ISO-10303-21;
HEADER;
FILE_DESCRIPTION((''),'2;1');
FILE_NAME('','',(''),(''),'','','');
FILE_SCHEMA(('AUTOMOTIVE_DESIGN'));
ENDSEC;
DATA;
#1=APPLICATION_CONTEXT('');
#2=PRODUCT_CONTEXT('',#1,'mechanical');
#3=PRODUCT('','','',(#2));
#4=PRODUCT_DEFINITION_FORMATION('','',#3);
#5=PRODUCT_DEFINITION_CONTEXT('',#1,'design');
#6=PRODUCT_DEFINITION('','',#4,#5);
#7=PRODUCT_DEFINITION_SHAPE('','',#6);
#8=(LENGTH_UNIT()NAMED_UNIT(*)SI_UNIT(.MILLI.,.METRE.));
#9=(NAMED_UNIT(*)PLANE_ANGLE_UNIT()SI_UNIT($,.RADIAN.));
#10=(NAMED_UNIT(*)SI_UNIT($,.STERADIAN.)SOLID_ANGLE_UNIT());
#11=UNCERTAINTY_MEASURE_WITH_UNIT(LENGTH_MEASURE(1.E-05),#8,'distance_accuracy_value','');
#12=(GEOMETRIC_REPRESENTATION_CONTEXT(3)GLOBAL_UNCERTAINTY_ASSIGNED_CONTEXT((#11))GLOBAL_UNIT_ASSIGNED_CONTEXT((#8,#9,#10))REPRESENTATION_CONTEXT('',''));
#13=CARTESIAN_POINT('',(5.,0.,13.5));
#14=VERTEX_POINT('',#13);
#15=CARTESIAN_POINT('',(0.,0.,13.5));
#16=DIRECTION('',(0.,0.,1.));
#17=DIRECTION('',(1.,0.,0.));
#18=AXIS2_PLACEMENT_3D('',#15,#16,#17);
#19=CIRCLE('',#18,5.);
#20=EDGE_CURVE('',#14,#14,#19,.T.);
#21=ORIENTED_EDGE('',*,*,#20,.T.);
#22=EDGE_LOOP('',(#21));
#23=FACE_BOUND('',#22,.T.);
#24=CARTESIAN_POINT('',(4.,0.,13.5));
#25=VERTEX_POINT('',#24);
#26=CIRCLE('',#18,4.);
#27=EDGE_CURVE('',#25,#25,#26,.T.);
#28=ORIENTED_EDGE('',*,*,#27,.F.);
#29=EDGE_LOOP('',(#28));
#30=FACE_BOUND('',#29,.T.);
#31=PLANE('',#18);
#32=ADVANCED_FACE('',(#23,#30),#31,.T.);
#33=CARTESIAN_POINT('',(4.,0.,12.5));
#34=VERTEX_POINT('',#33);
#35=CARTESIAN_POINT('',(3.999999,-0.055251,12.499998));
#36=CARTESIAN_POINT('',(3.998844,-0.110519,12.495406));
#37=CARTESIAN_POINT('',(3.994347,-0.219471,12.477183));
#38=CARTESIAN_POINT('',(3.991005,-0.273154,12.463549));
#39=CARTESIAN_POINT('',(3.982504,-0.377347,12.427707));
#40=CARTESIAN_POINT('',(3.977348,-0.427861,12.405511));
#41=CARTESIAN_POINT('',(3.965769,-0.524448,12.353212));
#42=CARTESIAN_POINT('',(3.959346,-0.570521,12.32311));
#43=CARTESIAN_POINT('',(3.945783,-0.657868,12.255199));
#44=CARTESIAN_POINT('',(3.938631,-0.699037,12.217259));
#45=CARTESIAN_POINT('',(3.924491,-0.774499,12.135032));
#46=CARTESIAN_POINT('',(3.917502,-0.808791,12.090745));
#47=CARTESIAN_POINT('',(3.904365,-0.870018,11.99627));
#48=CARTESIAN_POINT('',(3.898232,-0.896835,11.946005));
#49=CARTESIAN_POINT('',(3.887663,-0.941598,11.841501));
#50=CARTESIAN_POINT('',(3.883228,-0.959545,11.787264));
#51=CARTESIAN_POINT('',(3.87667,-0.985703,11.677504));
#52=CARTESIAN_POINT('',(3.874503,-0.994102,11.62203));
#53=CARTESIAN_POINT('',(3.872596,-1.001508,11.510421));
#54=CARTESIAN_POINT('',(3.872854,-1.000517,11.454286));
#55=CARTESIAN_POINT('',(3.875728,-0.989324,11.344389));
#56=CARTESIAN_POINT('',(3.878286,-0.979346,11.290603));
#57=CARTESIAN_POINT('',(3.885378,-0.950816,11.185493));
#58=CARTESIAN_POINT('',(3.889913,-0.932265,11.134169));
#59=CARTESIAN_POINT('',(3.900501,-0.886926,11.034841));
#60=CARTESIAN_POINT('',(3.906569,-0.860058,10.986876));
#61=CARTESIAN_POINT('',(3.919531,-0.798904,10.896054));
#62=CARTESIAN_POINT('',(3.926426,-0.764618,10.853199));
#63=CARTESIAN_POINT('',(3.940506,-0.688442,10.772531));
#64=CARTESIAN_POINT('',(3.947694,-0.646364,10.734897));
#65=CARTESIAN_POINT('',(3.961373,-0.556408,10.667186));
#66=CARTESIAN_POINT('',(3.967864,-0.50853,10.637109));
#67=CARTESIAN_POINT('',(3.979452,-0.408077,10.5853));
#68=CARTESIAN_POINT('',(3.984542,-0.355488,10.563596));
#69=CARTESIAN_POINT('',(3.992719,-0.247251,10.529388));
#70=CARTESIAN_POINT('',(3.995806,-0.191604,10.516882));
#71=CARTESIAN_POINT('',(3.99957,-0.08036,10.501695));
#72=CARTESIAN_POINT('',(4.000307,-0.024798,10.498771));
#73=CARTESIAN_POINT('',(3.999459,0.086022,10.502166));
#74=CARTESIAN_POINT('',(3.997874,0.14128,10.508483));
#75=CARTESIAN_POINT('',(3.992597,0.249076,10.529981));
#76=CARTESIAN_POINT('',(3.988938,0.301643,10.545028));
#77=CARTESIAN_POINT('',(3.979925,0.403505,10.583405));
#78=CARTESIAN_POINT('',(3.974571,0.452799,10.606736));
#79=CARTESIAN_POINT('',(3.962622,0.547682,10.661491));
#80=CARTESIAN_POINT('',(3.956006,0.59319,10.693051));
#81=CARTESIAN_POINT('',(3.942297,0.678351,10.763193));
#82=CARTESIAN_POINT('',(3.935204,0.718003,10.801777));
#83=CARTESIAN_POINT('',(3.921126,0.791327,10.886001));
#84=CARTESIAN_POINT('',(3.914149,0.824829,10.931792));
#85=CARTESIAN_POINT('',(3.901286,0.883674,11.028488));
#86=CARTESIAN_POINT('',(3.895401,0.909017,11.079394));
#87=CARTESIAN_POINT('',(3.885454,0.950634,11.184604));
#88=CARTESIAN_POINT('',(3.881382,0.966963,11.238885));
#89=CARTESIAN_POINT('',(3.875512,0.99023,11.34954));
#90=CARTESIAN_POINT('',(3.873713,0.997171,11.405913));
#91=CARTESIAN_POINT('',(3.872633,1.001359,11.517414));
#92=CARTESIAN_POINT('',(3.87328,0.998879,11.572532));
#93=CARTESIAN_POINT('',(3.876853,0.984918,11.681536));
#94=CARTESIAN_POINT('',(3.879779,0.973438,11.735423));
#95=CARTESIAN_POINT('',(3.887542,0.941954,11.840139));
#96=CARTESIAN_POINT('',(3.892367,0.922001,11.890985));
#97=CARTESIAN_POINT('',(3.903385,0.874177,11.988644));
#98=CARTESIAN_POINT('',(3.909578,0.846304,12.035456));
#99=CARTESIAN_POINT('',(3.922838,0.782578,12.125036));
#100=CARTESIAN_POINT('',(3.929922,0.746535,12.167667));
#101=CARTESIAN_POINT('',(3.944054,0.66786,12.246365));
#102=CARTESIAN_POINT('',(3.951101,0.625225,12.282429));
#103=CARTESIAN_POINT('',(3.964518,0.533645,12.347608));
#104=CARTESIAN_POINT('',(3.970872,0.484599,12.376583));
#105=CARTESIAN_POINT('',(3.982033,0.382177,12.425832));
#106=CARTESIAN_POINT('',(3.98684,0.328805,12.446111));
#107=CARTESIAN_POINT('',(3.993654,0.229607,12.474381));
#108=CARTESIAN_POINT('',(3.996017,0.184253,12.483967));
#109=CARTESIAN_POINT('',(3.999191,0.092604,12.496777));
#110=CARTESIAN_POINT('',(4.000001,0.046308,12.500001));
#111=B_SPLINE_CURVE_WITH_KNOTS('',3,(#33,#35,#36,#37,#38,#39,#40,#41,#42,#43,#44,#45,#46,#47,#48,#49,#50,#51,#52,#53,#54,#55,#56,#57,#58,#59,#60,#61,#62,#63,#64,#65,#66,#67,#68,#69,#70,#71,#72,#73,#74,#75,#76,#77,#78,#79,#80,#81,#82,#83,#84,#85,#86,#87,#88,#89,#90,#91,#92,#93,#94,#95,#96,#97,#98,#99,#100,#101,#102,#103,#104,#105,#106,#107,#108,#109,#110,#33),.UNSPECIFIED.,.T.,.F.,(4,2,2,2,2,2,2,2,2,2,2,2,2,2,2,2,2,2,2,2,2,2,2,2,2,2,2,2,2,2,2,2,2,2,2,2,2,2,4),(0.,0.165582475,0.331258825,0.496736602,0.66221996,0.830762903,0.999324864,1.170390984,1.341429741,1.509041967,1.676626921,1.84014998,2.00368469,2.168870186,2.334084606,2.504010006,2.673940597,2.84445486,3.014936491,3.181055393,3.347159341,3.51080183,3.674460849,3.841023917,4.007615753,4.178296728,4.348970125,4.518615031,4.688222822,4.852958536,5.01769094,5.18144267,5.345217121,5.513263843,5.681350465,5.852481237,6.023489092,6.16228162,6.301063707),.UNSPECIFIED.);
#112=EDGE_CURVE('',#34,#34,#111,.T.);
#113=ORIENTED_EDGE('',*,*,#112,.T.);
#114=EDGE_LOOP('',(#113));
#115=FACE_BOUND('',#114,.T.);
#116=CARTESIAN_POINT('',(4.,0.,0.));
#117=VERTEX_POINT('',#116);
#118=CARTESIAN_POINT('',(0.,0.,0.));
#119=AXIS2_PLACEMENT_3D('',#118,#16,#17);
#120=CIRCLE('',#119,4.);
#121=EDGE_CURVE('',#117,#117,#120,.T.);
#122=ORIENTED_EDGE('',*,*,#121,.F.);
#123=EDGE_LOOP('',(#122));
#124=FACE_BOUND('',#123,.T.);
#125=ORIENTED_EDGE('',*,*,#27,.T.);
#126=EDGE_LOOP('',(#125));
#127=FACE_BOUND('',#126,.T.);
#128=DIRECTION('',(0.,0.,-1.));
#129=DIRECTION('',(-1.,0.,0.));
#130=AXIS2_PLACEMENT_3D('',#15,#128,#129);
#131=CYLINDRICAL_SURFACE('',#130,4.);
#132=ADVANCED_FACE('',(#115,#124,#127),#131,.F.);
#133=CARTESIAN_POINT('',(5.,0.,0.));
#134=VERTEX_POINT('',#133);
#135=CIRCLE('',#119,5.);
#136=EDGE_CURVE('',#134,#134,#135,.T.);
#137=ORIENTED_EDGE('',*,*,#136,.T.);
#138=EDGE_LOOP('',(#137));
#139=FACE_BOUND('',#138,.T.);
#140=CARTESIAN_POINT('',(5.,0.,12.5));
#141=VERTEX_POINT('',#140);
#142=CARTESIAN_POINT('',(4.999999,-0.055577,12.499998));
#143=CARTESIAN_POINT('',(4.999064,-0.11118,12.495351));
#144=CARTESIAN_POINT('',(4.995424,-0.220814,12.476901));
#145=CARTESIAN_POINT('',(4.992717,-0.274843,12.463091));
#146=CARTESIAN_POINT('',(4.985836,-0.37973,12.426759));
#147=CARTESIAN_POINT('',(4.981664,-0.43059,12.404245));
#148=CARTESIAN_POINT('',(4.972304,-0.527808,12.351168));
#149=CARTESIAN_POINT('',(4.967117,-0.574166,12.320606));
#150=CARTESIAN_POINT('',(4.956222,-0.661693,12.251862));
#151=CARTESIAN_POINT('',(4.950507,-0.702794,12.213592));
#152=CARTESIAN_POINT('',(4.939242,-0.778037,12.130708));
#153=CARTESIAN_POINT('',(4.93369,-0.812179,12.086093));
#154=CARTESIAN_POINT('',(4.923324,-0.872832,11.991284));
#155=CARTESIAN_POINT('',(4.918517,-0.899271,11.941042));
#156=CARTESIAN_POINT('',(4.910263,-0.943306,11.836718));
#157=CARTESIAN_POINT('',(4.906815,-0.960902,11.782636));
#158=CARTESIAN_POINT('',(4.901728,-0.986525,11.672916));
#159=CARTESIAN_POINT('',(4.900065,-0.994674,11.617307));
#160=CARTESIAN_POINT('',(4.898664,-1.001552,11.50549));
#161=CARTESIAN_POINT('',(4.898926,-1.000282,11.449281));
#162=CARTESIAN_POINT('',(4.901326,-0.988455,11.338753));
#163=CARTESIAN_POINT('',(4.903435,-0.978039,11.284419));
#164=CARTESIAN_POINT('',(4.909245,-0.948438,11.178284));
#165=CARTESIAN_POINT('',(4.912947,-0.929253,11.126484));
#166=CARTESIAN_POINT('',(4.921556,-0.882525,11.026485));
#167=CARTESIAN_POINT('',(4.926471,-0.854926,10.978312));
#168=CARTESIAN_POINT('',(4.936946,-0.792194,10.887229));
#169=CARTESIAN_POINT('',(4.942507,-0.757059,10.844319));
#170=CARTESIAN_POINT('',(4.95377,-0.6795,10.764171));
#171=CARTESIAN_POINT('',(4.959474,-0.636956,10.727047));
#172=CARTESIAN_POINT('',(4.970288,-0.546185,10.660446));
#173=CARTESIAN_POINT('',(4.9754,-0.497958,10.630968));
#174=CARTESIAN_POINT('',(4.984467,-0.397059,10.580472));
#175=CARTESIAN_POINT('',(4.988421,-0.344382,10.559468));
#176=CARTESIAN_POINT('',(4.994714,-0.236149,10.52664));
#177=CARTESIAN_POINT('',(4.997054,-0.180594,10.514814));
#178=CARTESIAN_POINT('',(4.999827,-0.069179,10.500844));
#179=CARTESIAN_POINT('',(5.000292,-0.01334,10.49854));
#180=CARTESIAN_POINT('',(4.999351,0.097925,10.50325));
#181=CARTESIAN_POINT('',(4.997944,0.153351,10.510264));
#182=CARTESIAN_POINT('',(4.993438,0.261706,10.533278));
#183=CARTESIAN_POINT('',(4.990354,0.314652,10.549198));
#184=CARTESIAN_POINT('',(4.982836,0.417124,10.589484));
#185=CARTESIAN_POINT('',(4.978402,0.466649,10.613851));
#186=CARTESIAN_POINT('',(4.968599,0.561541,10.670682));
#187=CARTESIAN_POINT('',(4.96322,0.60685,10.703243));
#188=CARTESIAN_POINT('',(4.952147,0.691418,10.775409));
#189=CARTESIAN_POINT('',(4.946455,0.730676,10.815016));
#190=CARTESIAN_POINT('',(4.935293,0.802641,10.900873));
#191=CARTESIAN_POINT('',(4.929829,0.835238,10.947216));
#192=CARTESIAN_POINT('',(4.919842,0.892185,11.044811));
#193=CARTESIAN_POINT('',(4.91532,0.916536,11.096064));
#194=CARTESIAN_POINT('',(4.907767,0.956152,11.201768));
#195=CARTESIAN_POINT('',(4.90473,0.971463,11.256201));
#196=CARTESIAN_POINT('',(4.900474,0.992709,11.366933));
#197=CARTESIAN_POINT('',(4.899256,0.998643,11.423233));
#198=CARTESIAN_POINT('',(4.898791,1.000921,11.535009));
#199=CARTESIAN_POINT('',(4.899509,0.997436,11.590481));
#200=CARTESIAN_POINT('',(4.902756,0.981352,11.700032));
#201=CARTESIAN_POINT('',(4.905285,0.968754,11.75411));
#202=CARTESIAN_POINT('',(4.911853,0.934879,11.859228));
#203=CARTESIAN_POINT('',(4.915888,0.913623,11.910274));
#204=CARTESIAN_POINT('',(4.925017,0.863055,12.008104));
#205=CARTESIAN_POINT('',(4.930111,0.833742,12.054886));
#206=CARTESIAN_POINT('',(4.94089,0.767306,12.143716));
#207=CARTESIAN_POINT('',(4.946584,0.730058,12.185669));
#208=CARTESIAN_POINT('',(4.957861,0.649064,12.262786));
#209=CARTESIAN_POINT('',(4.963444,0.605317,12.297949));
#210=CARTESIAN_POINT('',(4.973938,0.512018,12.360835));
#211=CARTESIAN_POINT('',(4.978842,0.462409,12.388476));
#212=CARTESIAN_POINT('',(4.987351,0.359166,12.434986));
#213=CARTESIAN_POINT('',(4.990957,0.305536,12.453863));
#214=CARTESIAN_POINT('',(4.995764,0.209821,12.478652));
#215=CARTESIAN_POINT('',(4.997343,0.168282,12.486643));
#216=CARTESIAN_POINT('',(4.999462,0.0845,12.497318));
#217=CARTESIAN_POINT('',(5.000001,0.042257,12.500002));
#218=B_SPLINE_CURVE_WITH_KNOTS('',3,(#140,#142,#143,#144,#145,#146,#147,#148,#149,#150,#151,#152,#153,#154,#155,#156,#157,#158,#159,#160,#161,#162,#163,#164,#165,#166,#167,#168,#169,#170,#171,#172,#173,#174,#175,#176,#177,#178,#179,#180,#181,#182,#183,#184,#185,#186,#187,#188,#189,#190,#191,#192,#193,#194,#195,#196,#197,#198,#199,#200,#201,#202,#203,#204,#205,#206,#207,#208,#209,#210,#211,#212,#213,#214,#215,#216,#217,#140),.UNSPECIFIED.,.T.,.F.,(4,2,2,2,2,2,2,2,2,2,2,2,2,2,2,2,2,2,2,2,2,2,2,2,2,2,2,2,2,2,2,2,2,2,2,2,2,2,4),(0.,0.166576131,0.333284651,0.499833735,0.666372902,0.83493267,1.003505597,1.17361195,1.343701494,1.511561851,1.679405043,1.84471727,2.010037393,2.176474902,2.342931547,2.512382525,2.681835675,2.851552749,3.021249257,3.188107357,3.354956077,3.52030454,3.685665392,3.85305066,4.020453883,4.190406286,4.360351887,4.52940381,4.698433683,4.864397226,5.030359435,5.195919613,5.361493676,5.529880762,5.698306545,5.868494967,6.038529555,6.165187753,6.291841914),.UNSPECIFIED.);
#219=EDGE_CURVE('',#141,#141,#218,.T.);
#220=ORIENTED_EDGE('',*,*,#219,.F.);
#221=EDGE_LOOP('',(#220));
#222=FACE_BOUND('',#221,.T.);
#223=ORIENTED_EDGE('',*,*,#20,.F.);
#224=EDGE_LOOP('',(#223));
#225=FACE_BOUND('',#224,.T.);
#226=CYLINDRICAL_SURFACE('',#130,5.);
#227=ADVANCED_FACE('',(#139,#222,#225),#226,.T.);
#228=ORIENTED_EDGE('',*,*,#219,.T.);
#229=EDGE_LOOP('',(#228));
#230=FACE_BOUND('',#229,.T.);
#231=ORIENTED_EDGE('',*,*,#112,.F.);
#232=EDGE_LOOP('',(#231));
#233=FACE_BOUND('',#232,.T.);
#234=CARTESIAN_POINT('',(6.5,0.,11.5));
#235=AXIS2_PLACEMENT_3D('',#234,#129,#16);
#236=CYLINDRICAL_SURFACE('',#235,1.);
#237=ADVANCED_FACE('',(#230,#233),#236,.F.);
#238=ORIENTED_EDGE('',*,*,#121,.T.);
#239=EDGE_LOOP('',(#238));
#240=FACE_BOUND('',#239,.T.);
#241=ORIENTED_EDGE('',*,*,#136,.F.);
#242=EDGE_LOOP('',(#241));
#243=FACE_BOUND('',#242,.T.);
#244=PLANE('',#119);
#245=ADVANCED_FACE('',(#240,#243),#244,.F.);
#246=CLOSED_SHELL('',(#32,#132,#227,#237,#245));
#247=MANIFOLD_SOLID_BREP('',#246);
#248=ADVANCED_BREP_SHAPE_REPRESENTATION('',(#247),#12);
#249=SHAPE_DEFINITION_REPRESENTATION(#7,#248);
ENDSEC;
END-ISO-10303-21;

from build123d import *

# Parameters (mm, degrees)
SKETCH2_R           = 5
SKETCH2_R_2         = 4
BOSS_EXTRUDE1_DEPTH = 13.5
SKETCH3_R           = 1
CUT_EXTRUDE1_DEPTH  = 6.5


with BuildPart() as part:
    # Sketch2 → Boss-Extrude1 (new body)
    with BuildSketch(Plane.XY):
        Circle(SKETCH2_R)
        Circle(SKETCH2_R_2, mode=Mode.SUBTRACT)
    extrude(amount=BOSS_EXTRUDE1_DEPTH)

    # Sketch3 → Cut-Extrude1 (cut)
    with BuildSketch(Plane(origin=(0, 0, 0), x_dir=(0, 0, -1), z_dir=(1, 0, 0))):
        with Locations((-11.5, 0)):
            Circle(SKETCH3_R)
    extrude(amount=CUT_EXTRUDE1_DEPTH, mode=Mode.SUBTRACT)


solid = part.part
